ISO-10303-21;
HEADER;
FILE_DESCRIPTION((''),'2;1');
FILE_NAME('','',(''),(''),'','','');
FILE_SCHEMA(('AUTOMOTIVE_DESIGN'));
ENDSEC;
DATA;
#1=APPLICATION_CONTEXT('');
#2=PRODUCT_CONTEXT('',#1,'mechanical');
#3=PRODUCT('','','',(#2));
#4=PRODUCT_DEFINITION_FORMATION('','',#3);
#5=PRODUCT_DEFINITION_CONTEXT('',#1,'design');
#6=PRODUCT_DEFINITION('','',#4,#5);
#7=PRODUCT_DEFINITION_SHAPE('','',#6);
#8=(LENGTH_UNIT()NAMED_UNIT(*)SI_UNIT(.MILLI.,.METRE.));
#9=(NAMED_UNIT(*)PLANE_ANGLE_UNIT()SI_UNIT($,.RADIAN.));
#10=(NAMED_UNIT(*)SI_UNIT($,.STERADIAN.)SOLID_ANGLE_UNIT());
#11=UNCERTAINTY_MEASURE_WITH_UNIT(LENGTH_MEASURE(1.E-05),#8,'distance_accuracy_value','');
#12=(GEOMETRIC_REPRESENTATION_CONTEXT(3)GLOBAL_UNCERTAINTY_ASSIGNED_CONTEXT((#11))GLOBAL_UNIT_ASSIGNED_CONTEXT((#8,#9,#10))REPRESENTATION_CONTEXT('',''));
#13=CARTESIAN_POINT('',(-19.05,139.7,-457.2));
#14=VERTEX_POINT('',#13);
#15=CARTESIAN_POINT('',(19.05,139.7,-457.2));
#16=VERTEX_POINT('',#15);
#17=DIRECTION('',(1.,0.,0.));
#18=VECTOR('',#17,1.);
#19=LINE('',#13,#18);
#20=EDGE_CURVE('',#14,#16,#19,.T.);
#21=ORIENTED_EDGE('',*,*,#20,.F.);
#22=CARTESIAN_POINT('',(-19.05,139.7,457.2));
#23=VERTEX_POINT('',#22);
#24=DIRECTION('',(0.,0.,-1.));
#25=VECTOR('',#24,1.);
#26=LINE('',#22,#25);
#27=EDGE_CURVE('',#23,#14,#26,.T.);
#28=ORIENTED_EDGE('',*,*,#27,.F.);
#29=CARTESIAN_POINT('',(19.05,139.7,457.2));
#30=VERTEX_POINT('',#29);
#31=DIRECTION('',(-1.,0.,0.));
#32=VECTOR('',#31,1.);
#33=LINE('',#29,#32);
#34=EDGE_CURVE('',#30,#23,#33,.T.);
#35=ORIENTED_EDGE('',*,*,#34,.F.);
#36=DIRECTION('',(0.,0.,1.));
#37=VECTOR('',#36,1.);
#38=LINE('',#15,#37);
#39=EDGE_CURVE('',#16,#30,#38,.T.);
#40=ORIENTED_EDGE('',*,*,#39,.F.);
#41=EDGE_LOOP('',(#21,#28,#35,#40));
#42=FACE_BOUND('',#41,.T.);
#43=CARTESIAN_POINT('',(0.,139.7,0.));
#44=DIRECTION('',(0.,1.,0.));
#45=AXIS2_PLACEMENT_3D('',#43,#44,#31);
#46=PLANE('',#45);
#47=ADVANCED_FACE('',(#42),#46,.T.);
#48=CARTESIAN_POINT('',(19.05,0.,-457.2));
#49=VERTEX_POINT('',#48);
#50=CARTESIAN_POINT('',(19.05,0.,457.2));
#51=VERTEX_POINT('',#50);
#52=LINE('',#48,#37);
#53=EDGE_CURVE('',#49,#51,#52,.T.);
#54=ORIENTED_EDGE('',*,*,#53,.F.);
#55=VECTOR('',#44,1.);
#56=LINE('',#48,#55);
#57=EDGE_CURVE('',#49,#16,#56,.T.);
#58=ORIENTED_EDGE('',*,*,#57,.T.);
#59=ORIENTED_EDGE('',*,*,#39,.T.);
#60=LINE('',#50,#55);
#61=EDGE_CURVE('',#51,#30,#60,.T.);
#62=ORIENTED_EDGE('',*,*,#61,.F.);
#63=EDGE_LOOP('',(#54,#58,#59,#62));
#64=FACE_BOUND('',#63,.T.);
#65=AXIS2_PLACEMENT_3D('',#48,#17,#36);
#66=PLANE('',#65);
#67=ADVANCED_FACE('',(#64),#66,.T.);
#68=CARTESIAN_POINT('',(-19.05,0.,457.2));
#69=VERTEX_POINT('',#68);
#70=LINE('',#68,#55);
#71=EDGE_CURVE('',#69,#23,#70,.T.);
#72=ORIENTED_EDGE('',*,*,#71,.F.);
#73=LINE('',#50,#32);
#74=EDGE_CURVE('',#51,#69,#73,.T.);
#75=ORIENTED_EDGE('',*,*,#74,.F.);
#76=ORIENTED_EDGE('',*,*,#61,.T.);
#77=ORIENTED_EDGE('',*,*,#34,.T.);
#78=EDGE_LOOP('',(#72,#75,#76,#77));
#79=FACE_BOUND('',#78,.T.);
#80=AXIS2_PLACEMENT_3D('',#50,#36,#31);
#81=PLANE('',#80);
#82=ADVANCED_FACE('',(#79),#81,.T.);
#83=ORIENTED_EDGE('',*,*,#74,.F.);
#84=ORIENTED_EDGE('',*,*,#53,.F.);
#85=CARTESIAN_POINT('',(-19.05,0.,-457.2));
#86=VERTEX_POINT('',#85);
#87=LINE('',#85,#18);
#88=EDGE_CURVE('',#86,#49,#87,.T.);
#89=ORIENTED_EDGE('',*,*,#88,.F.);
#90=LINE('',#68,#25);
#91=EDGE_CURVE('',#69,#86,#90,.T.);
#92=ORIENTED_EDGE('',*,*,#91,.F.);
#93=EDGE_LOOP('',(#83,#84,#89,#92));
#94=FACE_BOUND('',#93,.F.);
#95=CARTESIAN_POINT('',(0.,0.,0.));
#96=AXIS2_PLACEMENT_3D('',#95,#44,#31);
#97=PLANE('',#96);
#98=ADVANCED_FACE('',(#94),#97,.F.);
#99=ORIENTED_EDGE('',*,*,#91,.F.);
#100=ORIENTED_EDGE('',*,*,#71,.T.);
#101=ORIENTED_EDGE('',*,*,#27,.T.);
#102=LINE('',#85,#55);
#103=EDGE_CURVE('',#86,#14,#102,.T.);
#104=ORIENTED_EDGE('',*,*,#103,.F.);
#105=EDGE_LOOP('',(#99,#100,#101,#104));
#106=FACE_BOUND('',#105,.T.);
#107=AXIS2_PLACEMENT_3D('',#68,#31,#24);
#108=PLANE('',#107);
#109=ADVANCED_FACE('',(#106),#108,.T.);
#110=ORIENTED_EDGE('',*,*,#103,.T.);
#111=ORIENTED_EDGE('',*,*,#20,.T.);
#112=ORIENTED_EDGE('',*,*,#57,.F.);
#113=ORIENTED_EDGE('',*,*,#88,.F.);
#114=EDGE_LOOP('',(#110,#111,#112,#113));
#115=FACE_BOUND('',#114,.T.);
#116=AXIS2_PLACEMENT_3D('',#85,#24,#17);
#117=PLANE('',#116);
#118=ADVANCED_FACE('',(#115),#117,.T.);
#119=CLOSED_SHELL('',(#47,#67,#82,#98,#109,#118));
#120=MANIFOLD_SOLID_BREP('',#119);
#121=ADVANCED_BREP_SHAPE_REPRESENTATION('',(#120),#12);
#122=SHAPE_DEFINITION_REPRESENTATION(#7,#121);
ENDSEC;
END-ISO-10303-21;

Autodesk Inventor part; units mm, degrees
ref_plane "YZ Plane" through (0, 0, 0) normal (1, 0, 0) x (0, 1, 0)
ref_plane "XZ Plane" through (0, 0, 0) normal (0, 1, 0) x (-1, 0, 0)
ref_plane "XY Plane" through (0, 0, 0) normal (0, 0, 1) x (1, 0, 0)
sketch "Sketch1" plane through (0, 0, 0) normal (0, 1, 0) x (-1, 0, 0)
  line L0 (-19.05, 457.2) -> (19.05, 457.2)
  line L1 (19.05, 457.2) -> (19.05, -457.2)
  line L2 (19.05, -457.2) -> (-19.05, -457.2)
  line L3 (-19.05, -457.2) -> (-19.05, 457.2)
  line L4 (-19.05, 457.2) -> (19.05, -457.2) construction
  line L5 (19.05, 457.2) -> (-19.05, -457.2) construction
  point P0 (0, 0)
  dimension "d0" = 38.1
  dimension "d1" = 914.4
extrude "Extrusion1" add sketch "Sketch1" along normal blind 139.7
properties part number "2x6x3'"
